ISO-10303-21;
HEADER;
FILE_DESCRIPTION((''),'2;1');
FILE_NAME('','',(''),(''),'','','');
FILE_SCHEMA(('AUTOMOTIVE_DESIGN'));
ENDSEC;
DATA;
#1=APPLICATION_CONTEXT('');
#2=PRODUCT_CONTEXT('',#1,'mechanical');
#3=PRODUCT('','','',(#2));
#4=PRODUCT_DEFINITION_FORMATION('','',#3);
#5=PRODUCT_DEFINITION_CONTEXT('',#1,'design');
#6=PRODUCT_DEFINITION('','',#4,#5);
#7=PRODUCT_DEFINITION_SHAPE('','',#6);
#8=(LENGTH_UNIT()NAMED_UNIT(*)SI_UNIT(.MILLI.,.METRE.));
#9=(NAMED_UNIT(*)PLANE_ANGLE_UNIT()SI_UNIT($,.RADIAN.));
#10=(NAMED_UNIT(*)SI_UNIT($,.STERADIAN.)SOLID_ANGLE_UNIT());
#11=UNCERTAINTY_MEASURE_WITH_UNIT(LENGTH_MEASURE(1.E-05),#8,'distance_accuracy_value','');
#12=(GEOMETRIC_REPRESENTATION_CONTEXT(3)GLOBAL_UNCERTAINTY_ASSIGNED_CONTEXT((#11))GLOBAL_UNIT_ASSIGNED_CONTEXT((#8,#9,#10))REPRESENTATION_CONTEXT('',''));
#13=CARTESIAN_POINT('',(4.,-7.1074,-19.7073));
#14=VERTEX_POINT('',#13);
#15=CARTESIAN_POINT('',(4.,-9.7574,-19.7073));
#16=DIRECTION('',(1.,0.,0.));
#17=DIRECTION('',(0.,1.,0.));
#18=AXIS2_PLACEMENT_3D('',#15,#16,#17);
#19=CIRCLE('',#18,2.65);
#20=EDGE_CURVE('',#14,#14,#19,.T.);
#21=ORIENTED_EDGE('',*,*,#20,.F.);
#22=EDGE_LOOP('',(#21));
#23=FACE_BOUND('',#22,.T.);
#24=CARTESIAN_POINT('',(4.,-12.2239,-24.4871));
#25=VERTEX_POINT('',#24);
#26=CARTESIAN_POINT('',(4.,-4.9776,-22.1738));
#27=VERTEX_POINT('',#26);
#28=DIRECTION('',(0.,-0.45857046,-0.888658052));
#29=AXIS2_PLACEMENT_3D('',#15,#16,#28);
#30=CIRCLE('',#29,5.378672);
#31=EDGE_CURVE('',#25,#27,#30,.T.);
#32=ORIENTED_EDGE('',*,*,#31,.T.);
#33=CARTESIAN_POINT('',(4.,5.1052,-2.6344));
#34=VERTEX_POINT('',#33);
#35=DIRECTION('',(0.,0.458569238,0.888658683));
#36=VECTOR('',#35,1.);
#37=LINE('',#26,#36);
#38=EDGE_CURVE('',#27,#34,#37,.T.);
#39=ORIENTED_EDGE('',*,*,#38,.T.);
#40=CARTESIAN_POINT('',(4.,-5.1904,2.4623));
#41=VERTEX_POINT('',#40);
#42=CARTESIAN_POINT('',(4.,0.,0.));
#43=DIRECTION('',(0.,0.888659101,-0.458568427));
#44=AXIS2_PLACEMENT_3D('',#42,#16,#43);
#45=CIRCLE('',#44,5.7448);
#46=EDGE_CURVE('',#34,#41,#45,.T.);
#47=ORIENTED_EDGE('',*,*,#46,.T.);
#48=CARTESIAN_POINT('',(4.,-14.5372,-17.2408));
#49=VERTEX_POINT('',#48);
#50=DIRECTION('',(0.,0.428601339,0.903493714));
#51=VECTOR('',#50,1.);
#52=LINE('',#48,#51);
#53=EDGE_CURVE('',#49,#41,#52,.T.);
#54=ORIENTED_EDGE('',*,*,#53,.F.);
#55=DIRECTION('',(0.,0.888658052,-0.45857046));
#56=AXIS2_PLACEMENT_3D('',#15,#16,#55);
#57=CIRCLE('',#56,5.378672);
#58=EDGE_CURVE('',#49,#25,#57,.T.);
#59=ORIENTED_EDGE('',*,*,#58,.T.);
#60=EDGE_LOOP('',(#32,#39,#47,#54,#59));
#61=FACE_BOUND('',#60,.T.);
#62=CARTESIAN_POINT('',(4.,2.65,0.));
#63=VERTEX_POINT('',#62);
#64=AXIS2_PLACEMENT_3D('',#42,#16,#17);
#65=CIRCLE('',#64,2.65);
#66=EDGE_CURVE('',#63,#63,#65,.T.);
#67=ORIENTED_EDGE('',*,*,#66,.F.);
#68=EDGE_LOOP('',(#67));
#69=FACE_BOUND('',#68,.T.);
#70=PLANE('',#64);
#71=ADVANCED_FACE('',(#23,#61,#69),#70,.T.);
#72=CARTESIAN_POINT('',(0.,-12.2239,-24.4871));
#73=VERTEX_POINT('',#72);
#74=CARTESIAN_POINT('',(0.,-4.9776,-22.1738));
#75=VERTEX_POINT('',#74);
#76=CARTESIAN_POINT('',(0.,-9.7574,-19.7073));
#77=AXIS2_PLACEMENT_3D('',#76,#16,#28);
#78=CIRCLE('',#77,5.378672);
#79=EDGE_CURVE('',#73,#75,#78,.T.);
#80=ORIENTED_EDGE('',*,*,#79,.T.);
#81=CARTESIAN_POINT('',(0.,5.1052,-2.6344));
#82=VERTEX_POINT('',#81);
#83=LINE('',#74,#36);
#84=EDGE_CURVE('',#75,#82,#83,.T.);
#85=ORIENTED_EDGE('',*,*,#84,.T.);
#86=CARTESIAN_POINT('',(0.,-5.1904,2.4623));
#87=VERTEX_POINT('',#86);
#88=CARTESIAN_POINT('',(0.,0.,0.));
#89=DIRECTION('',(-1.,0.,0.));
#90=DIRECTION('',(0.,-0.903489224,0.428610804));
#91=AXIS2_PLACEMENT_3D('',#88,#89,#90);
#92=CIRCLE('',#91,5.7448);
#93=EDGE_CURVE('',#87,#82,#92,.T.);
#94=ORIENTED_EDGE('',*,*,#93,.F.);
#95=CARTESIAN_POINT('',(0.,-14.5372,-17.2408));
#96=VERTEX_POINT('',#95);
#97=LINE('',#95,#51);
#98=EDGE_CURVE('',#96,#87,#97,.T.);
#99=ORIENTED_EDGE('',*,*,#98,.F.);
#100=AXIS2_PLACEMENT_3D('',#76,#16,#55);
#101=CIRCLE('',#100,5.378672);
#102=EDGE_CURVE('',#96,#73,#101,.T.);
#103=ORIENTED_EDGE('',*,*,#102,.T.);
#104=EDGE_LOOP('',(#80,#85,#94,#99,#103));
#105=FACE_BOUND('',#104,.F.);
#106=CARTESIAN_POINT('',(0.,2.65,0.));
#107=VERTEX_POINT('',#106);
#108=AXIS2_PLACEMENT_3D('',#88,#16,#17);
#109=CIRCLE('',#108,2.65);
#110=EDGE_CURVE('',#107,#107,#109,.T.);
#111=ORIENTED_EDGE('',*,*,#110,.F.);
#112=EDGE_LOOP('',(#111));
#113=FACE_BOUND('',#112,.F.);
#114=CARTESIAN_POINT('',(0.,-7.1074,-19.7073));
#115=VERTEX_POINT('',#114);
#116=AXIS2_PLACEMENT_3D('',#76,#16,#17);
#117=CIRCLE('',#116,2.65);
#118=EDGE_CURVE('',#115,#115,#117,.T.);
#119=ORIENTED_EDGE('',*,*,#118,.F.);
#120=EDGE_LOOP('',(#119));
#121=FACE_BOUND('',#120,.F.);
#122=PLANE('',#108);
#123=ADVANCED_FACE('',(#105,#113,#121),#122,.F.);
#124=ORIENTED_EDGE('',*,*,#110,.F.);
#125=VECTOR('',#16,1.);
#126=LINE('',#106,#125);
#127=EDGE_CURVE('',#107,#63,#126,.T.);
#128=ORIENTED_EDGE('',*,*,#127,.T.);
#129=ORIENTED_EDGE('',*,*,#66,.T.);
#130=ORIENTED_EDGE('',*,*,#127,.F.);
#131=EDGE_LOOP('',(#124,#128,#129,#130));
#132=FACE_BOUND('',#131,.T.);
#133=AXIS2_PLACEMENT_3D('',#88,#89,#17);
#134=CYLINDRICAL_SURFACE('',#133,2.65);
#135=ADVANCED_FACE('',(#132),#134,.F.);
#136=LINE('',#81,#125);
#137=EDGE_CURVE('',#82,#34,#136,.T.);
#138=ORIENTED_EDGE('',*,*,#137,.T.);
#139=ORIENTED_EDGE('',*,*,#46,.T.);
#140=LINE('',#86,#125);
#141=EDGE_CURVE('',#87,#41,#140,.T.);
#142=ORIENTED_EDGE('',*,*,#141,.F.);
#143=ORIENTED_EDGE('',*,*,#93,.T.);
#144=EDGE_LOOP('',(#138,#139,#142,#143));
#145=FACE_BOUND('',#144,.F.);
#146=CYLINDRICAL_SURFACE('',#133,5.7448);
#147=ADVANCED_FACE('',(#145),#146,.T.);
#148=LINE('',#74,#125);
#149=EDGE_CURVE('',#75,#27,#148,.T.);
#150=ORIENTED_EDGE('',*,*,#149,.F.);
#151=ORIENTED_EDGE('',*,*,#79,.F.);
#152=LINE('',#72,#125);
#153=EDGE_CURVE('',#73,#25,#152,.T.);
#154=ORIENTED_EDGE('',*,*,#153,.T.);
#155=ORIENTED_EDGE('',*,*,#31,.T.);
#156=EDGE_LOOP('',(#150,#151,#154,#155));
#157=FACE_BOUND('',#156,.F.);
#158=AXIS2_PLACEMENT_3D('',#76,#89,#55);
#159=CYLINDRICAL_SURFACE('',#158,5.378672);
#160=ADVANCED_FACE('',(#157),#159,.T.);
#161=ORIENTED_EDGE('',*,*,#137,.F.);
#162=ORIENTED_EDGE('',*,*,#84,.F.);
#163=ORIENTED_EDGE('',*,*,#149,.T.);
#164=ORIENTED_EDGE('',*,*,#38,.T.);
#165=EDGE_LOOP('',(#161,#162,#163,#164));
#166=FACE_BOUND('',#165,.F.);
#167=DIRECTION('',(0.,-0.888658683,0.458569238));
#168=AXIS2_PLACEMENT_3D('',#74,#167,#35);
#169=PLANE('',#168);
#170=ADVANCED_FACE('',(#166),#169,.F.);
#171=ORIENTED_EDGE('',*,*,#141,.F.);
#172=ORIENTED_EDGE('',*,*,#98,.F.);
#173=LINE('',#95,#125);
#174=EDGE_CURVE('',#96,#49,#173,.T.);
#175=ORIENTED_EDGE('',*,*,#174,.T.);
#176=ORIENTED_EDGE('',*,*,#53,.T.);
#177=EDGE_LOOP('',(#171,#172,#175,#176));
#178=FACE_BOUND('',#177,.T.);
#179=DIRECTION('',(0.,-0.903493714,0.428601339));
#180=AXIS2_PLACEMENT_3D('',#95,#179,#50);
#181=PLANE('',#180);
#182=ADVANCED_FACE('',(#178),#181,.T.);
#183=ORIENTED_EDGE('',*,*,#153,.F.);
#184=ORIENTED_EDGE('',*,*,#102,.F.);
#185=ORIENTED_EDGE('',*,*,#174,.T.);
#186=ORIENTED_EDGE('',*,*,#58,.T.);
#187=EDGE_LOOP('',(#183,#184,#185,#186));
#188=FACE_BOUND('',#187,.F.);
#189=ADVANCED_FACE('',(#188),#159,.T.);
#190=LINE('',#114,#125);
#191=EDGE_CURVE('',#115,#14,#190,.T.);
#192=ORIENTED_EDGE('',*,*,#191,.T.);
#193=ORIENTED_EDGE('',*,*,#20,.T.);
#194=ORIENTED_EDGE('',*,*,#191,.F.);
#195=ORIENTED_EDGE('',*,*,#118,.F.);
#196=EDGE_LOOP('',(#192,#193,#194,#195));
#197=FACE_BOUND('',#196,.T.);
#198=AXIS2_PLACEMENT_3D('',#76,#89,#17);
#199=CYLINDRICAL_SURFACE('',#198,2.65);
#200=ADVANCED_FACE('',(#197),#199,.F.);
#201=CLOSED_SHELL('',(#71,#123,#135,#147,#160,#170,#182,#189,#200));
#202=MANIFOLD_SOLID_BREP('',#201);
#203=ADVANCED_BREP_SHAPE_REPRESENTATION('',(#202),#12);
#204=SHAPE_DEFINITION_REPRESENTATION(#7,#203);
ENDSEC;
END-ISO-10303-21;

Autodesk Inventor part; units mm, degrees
ref_plane "YZ Plane" through (0, 0, 0) normal (1, 0, 0) x (0, 1, 0)
ref_plane "XZ Plane" through (0, 0, 0) normal (0, 1, 0) x (-1, 0, 0)
ref_plane "XY Plane" through (0, 0, 0) normal (0, 0, 1) x (1, 0, 0)
sketch "Sketch1" plane through (0, 0, 0) normal (1, 0, 0) x (0, 1, 0)
  circle A0 centre (-9.7574, -19.7073) radius 1.55 construction
  circle A1 centre (0, 0) radius 1.55 construction
  circle A2 centre (-9.7574, -19.7073) radius 2.65
  circle A3 centre (0, 0) radius 2.65
  line L0 (-6.0684, -24.2876) -> (12.7398, 12.1607) construction
  arc A4 (-12.2239, -24.4871) -> (-4.9776, -22.1738) centre (-9.7574, -19.7073) ccw
  circle A5 centre (0, 0) radius 5.7448
  line L1 (-4.9776, -22.1738) -> (5.1052, -2.6344)
  arc A6 (-4.9776, -22.1738) -> (-12.2239, -24.4871) centre (-9.7574, -19.7073) ccw
  line L2 (-14.5372, -17.2408) -> (-5.1904, 2.4623)
  line L3 (0, 0) -> (0, -27.0135) construction
  line L4 (0, 0) -> (-9.7574, -19.7073) construction
  point P0 (-10.1101, -25.5779)
  dimension "d0" = 5.3
  dimension "d1" = 5.3
  dimension "d3" = 11.4897
  dimension "d4" = 5.3787
  dimension "d5" = 21.8076
  dimension "d6" = 21.9875
extrude "Extrusion1" add sketch "Sketch1" along normal blind 4
sketch "Sketch2" plane through (4, 0, 0) normal (1, 0, 0) x (0, 0, -1)
  arc A0 (17.2408, -14.5372) -> (22.1738, -4.9776) centre (19.7073, -9.7574) ccw projected
  line L0 (22.1738, -4.9776) -> (2.6344, 5.1052) projected
  arc A1 (2.6344, 5.1052) -> (-2.4623, -5.1904) centre (0, 0) ccw projected
  line L1 (-2.4623, -5.1904) -> (17.2408, -14.5372) construction
  circle A2 centre (19.7073, -9.7574) radius 2.65 construction
  circle A3 centre (0, 0) radius 2.65 construction
  circle A4 centre (19.7073, -9.7574) radius 2.65 construction
  line L2 (-0.0042, 0.0021) -> (19.7073, -9.7574) construction
  circle A5 centre (12.4634, 13.9146) radius 1
  circle A6 centre (12.4634, 13.9146) radius 4
  line L3 (9.7462, 16.85) -> (-3.9025, 4.2159)
  arc A7 (2.6344, 5.1052) -> (-2.4623, -5.1904) centre (0, 0) ccw projected
  line L4 (16.2172, 15.2963) -> (24.7549, -7.8995)
  line L5 (-12.5084, -12.3162) -> (6.9664, 27.0174)
  point P0 (-3.9025, 4.2159)
  dimension "d11" = 2
  dimension "d12" = 8
  dimension "d20" = 18
  dimension "d21" = 10.7401
extrude "Extrusion2" [suppressed]
sketch "Sketch3" plane through (4, 0, 0) normal (1, 0, 0) x (0, 0, -1)
  circle A0 centre (12.4634, 13.9146) radius 1 projected
  circle A1 centre (12.4634, 13.9146) radius 2.5
  point P0 (0, 0)
  dimension "d15" = 5
extrude "Extrusion3" [suppressed]
properties part number "Kauri modular camera mount spacer micro inside" material "Brass, Soft Yellow"
